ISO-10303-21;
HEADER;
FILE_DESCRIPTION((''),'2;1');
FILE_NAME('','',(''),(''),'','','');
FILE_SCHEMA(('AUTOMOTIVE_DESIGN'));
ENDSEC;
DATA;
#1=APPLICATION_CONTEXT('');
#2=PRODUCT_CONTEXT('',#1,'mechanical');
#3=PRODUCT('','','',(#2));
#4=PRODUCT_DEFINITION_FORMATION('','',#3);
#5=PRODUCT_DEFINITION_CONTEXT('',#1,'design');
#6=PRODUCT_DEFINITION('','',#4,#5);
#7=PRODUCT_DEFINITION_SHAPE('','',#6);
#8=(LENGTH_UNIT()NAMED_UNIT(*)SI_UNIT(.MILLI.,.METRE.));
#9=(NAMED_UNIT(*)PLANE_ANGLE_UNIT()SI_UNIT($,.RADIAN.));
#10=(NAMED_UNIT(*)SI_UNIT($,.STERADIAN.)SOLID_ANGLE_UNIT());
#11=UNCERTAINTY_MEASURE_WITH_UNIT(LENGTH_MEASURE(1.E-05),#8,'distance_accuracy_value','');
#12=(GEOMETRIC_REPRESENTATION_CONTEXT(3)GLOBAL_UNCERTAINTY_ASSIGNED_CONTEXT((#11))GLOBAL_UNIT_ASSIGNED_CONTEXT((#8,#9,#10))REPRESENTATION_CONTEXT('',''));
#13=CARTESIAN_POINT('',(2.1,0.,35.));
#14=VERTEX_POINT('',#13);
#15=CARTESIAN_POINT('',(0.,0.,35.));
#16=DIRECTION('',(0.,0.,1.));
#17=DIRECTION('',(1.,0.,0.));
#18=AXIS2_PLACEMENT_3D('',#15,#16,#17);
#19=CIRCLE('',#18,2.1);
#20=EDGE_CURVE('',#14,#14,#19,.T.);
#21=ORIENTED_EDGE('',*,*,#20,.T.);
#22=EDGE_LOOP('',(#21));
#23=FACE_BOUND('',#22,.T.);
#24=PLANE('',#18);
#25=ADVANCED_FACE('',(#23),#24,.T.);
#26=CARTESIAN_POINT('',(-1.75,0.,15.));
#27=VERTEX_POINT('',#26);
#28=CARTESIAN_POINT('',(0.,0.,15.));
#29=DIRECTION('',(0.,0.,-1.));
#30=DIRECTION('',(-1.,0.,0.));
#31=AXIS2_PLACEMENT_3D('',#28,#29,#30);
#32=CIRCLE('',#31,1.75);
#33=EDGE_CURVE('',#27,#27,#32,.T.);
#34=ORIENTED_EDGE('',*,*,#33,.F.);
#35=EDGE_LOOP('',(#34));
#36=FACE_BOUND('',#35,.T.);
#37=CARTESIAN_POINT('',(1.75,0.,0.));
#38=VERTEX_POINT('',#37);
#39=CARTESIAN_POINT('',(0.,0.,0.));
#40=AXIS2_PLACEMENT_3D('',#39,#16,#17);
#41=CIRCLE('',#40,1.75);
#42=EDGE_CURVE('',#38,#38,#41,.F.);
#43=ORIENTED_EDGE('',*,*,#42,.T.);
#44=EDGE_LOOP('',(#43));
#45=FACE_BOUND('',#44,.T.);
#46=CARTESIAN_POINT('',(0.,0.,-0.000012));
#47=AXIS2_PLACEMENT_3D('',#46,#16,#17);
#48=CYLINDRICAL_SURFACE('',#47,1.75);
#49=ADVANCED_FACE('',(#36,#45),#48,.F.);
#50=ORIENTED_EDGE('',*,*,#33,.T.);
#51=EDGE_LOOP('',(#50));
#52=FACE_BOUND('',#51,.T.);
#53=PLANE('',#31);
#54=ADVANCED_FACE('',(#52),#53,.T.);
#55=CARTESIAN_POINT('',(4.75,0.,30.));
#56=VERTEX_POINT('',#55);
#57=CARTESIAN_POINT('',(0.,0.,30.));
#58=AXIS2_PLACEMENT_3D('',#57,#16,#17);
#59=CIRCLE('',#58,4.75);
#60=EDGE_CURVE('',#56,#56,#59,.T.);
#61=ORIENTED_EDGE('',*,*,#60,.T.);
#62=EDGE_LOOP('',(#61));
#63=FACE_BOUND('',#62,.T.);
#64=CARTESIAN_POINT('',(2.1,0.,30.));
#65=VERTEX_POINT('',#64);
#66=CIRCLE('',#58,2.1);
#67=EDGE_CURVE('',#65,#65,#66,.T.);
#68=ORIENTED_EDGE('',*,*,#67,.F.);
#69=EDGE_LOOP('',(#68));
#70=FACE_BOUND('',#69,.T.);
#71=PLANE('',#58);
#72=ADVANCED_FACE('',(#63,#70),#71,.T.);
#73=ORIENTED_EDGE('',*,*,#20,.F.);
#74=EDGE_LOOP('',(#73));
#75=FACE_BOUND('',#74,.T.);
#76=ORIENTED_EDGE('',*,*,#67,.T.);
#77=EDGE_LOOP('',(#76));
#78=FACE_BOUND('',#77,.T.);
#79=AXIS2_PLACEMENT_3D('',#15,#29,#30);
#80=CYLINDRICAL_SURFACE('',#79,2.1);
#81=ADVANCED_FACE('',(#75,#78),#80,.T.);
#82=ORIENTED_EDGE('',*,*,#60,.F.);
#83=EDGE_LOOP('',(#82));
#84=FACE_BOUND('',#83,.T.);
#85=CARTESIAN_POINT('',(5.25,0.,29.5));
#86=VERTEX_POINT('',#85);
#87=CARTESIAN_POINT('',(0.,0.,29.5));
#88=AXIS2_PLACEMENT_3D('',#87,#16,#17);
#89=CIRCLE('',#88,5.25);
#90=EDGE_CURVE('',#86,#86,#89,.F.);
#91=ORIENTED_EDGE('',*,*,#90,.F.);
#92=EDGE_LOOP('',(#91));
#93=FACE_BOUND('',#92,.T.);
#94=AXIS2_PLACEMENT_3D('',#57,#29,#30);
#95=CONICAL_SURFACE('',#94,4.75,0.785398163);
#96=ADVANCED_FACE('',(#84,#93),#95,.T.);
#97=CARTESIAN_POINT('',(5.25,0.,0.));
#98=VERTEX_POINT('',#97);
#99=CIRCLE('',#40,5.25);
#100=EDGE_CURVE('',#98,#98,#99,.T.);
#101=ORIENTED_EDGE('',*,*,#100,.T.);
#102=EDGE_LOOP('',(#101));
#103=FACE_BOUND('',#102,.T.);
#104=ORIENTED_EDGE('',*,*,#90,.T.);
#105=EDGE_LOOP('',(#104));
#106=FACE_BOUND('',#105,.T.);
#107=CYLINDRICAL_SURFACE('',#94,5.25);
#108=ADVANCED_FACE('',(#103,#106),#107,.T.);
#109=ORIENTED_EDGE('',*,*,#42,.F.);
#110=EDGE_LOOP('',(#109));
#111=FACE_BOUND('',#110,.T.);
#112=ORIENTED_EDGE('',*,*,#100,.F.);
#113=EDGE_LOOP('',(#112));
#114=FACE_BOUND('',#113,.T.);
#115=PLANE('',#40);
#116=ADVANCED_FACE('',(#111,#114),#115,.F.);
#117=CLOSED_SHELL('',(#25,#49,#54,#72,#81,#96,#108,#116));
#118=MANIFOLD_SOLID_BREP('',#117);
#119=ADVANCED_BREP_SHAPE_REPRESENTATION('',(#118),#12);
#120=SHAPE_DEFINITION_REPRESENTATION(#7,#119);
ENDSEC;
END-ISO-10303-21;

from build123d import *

# Parameters (mm, degrees)
ESQUISSE1_R                  = 5.25
BOSS_EXTRU_1_DEPTH           = 30
CHANFREIN1_SIZE              = 0.5
ESQUISSE2_R                  = 1.75
ENL_V_MAT_EXTRU_1_DEPTH      = 1
ENL_V_MAT_EXTRU_1_DEPTH_BACK = 15
ESQUISSE4_R                  = 2.1
BOSS_EXTRU_2_DEPTH           = 5


with BuildPart() as part:
    # Esquisse1 → Boss.-Extru.1 (new body)
    with BuildSketch(Plane.XY):
        Circle(ESQUISSE1_R)
    extrude(amount=BOSS_EXTRU_1_DEPTH)

    # Chanfrein1
    chanfrein1_edges = [part.edges().sort_by_distance(p)[0] for p in [
        (-5.25, 0, 30),
    ]]
    chamfer(chanfrein1_edges, length=CHANFREIN1_SIZE)

    # Esquisse2 → Enlèv. mat.-Extru.1 (cut, two sides)
    with BuildSketch(Plane(origin=(0, 0, 0), x_dir=(-1, 0, 0), z_dir=(0, 0, -1))) as enl_v_mat_extru_1_sk:
        Circle(ESQUISSE2_R)
    extrude(amount=ENL_V_MAT_EXTRU_1_DEPTH, mode=Mode.SUBTRACT)
    extrude(enl_v_mat_extru_1_sk.sketch, amount=-ENL_V_MAT_EXTRU_1_DEPTH_BACK, mode=Mode.SUBTRACT)

    # Esquisse4 → Boss.-Extru.2 (add)
    with BuildSketch(Plane.XY.offset(30)):
        Circle(ESQUISSE4_R)
    extrude(amount=BOSS_EXTRU_2_DEPTH)


solid = part.part
